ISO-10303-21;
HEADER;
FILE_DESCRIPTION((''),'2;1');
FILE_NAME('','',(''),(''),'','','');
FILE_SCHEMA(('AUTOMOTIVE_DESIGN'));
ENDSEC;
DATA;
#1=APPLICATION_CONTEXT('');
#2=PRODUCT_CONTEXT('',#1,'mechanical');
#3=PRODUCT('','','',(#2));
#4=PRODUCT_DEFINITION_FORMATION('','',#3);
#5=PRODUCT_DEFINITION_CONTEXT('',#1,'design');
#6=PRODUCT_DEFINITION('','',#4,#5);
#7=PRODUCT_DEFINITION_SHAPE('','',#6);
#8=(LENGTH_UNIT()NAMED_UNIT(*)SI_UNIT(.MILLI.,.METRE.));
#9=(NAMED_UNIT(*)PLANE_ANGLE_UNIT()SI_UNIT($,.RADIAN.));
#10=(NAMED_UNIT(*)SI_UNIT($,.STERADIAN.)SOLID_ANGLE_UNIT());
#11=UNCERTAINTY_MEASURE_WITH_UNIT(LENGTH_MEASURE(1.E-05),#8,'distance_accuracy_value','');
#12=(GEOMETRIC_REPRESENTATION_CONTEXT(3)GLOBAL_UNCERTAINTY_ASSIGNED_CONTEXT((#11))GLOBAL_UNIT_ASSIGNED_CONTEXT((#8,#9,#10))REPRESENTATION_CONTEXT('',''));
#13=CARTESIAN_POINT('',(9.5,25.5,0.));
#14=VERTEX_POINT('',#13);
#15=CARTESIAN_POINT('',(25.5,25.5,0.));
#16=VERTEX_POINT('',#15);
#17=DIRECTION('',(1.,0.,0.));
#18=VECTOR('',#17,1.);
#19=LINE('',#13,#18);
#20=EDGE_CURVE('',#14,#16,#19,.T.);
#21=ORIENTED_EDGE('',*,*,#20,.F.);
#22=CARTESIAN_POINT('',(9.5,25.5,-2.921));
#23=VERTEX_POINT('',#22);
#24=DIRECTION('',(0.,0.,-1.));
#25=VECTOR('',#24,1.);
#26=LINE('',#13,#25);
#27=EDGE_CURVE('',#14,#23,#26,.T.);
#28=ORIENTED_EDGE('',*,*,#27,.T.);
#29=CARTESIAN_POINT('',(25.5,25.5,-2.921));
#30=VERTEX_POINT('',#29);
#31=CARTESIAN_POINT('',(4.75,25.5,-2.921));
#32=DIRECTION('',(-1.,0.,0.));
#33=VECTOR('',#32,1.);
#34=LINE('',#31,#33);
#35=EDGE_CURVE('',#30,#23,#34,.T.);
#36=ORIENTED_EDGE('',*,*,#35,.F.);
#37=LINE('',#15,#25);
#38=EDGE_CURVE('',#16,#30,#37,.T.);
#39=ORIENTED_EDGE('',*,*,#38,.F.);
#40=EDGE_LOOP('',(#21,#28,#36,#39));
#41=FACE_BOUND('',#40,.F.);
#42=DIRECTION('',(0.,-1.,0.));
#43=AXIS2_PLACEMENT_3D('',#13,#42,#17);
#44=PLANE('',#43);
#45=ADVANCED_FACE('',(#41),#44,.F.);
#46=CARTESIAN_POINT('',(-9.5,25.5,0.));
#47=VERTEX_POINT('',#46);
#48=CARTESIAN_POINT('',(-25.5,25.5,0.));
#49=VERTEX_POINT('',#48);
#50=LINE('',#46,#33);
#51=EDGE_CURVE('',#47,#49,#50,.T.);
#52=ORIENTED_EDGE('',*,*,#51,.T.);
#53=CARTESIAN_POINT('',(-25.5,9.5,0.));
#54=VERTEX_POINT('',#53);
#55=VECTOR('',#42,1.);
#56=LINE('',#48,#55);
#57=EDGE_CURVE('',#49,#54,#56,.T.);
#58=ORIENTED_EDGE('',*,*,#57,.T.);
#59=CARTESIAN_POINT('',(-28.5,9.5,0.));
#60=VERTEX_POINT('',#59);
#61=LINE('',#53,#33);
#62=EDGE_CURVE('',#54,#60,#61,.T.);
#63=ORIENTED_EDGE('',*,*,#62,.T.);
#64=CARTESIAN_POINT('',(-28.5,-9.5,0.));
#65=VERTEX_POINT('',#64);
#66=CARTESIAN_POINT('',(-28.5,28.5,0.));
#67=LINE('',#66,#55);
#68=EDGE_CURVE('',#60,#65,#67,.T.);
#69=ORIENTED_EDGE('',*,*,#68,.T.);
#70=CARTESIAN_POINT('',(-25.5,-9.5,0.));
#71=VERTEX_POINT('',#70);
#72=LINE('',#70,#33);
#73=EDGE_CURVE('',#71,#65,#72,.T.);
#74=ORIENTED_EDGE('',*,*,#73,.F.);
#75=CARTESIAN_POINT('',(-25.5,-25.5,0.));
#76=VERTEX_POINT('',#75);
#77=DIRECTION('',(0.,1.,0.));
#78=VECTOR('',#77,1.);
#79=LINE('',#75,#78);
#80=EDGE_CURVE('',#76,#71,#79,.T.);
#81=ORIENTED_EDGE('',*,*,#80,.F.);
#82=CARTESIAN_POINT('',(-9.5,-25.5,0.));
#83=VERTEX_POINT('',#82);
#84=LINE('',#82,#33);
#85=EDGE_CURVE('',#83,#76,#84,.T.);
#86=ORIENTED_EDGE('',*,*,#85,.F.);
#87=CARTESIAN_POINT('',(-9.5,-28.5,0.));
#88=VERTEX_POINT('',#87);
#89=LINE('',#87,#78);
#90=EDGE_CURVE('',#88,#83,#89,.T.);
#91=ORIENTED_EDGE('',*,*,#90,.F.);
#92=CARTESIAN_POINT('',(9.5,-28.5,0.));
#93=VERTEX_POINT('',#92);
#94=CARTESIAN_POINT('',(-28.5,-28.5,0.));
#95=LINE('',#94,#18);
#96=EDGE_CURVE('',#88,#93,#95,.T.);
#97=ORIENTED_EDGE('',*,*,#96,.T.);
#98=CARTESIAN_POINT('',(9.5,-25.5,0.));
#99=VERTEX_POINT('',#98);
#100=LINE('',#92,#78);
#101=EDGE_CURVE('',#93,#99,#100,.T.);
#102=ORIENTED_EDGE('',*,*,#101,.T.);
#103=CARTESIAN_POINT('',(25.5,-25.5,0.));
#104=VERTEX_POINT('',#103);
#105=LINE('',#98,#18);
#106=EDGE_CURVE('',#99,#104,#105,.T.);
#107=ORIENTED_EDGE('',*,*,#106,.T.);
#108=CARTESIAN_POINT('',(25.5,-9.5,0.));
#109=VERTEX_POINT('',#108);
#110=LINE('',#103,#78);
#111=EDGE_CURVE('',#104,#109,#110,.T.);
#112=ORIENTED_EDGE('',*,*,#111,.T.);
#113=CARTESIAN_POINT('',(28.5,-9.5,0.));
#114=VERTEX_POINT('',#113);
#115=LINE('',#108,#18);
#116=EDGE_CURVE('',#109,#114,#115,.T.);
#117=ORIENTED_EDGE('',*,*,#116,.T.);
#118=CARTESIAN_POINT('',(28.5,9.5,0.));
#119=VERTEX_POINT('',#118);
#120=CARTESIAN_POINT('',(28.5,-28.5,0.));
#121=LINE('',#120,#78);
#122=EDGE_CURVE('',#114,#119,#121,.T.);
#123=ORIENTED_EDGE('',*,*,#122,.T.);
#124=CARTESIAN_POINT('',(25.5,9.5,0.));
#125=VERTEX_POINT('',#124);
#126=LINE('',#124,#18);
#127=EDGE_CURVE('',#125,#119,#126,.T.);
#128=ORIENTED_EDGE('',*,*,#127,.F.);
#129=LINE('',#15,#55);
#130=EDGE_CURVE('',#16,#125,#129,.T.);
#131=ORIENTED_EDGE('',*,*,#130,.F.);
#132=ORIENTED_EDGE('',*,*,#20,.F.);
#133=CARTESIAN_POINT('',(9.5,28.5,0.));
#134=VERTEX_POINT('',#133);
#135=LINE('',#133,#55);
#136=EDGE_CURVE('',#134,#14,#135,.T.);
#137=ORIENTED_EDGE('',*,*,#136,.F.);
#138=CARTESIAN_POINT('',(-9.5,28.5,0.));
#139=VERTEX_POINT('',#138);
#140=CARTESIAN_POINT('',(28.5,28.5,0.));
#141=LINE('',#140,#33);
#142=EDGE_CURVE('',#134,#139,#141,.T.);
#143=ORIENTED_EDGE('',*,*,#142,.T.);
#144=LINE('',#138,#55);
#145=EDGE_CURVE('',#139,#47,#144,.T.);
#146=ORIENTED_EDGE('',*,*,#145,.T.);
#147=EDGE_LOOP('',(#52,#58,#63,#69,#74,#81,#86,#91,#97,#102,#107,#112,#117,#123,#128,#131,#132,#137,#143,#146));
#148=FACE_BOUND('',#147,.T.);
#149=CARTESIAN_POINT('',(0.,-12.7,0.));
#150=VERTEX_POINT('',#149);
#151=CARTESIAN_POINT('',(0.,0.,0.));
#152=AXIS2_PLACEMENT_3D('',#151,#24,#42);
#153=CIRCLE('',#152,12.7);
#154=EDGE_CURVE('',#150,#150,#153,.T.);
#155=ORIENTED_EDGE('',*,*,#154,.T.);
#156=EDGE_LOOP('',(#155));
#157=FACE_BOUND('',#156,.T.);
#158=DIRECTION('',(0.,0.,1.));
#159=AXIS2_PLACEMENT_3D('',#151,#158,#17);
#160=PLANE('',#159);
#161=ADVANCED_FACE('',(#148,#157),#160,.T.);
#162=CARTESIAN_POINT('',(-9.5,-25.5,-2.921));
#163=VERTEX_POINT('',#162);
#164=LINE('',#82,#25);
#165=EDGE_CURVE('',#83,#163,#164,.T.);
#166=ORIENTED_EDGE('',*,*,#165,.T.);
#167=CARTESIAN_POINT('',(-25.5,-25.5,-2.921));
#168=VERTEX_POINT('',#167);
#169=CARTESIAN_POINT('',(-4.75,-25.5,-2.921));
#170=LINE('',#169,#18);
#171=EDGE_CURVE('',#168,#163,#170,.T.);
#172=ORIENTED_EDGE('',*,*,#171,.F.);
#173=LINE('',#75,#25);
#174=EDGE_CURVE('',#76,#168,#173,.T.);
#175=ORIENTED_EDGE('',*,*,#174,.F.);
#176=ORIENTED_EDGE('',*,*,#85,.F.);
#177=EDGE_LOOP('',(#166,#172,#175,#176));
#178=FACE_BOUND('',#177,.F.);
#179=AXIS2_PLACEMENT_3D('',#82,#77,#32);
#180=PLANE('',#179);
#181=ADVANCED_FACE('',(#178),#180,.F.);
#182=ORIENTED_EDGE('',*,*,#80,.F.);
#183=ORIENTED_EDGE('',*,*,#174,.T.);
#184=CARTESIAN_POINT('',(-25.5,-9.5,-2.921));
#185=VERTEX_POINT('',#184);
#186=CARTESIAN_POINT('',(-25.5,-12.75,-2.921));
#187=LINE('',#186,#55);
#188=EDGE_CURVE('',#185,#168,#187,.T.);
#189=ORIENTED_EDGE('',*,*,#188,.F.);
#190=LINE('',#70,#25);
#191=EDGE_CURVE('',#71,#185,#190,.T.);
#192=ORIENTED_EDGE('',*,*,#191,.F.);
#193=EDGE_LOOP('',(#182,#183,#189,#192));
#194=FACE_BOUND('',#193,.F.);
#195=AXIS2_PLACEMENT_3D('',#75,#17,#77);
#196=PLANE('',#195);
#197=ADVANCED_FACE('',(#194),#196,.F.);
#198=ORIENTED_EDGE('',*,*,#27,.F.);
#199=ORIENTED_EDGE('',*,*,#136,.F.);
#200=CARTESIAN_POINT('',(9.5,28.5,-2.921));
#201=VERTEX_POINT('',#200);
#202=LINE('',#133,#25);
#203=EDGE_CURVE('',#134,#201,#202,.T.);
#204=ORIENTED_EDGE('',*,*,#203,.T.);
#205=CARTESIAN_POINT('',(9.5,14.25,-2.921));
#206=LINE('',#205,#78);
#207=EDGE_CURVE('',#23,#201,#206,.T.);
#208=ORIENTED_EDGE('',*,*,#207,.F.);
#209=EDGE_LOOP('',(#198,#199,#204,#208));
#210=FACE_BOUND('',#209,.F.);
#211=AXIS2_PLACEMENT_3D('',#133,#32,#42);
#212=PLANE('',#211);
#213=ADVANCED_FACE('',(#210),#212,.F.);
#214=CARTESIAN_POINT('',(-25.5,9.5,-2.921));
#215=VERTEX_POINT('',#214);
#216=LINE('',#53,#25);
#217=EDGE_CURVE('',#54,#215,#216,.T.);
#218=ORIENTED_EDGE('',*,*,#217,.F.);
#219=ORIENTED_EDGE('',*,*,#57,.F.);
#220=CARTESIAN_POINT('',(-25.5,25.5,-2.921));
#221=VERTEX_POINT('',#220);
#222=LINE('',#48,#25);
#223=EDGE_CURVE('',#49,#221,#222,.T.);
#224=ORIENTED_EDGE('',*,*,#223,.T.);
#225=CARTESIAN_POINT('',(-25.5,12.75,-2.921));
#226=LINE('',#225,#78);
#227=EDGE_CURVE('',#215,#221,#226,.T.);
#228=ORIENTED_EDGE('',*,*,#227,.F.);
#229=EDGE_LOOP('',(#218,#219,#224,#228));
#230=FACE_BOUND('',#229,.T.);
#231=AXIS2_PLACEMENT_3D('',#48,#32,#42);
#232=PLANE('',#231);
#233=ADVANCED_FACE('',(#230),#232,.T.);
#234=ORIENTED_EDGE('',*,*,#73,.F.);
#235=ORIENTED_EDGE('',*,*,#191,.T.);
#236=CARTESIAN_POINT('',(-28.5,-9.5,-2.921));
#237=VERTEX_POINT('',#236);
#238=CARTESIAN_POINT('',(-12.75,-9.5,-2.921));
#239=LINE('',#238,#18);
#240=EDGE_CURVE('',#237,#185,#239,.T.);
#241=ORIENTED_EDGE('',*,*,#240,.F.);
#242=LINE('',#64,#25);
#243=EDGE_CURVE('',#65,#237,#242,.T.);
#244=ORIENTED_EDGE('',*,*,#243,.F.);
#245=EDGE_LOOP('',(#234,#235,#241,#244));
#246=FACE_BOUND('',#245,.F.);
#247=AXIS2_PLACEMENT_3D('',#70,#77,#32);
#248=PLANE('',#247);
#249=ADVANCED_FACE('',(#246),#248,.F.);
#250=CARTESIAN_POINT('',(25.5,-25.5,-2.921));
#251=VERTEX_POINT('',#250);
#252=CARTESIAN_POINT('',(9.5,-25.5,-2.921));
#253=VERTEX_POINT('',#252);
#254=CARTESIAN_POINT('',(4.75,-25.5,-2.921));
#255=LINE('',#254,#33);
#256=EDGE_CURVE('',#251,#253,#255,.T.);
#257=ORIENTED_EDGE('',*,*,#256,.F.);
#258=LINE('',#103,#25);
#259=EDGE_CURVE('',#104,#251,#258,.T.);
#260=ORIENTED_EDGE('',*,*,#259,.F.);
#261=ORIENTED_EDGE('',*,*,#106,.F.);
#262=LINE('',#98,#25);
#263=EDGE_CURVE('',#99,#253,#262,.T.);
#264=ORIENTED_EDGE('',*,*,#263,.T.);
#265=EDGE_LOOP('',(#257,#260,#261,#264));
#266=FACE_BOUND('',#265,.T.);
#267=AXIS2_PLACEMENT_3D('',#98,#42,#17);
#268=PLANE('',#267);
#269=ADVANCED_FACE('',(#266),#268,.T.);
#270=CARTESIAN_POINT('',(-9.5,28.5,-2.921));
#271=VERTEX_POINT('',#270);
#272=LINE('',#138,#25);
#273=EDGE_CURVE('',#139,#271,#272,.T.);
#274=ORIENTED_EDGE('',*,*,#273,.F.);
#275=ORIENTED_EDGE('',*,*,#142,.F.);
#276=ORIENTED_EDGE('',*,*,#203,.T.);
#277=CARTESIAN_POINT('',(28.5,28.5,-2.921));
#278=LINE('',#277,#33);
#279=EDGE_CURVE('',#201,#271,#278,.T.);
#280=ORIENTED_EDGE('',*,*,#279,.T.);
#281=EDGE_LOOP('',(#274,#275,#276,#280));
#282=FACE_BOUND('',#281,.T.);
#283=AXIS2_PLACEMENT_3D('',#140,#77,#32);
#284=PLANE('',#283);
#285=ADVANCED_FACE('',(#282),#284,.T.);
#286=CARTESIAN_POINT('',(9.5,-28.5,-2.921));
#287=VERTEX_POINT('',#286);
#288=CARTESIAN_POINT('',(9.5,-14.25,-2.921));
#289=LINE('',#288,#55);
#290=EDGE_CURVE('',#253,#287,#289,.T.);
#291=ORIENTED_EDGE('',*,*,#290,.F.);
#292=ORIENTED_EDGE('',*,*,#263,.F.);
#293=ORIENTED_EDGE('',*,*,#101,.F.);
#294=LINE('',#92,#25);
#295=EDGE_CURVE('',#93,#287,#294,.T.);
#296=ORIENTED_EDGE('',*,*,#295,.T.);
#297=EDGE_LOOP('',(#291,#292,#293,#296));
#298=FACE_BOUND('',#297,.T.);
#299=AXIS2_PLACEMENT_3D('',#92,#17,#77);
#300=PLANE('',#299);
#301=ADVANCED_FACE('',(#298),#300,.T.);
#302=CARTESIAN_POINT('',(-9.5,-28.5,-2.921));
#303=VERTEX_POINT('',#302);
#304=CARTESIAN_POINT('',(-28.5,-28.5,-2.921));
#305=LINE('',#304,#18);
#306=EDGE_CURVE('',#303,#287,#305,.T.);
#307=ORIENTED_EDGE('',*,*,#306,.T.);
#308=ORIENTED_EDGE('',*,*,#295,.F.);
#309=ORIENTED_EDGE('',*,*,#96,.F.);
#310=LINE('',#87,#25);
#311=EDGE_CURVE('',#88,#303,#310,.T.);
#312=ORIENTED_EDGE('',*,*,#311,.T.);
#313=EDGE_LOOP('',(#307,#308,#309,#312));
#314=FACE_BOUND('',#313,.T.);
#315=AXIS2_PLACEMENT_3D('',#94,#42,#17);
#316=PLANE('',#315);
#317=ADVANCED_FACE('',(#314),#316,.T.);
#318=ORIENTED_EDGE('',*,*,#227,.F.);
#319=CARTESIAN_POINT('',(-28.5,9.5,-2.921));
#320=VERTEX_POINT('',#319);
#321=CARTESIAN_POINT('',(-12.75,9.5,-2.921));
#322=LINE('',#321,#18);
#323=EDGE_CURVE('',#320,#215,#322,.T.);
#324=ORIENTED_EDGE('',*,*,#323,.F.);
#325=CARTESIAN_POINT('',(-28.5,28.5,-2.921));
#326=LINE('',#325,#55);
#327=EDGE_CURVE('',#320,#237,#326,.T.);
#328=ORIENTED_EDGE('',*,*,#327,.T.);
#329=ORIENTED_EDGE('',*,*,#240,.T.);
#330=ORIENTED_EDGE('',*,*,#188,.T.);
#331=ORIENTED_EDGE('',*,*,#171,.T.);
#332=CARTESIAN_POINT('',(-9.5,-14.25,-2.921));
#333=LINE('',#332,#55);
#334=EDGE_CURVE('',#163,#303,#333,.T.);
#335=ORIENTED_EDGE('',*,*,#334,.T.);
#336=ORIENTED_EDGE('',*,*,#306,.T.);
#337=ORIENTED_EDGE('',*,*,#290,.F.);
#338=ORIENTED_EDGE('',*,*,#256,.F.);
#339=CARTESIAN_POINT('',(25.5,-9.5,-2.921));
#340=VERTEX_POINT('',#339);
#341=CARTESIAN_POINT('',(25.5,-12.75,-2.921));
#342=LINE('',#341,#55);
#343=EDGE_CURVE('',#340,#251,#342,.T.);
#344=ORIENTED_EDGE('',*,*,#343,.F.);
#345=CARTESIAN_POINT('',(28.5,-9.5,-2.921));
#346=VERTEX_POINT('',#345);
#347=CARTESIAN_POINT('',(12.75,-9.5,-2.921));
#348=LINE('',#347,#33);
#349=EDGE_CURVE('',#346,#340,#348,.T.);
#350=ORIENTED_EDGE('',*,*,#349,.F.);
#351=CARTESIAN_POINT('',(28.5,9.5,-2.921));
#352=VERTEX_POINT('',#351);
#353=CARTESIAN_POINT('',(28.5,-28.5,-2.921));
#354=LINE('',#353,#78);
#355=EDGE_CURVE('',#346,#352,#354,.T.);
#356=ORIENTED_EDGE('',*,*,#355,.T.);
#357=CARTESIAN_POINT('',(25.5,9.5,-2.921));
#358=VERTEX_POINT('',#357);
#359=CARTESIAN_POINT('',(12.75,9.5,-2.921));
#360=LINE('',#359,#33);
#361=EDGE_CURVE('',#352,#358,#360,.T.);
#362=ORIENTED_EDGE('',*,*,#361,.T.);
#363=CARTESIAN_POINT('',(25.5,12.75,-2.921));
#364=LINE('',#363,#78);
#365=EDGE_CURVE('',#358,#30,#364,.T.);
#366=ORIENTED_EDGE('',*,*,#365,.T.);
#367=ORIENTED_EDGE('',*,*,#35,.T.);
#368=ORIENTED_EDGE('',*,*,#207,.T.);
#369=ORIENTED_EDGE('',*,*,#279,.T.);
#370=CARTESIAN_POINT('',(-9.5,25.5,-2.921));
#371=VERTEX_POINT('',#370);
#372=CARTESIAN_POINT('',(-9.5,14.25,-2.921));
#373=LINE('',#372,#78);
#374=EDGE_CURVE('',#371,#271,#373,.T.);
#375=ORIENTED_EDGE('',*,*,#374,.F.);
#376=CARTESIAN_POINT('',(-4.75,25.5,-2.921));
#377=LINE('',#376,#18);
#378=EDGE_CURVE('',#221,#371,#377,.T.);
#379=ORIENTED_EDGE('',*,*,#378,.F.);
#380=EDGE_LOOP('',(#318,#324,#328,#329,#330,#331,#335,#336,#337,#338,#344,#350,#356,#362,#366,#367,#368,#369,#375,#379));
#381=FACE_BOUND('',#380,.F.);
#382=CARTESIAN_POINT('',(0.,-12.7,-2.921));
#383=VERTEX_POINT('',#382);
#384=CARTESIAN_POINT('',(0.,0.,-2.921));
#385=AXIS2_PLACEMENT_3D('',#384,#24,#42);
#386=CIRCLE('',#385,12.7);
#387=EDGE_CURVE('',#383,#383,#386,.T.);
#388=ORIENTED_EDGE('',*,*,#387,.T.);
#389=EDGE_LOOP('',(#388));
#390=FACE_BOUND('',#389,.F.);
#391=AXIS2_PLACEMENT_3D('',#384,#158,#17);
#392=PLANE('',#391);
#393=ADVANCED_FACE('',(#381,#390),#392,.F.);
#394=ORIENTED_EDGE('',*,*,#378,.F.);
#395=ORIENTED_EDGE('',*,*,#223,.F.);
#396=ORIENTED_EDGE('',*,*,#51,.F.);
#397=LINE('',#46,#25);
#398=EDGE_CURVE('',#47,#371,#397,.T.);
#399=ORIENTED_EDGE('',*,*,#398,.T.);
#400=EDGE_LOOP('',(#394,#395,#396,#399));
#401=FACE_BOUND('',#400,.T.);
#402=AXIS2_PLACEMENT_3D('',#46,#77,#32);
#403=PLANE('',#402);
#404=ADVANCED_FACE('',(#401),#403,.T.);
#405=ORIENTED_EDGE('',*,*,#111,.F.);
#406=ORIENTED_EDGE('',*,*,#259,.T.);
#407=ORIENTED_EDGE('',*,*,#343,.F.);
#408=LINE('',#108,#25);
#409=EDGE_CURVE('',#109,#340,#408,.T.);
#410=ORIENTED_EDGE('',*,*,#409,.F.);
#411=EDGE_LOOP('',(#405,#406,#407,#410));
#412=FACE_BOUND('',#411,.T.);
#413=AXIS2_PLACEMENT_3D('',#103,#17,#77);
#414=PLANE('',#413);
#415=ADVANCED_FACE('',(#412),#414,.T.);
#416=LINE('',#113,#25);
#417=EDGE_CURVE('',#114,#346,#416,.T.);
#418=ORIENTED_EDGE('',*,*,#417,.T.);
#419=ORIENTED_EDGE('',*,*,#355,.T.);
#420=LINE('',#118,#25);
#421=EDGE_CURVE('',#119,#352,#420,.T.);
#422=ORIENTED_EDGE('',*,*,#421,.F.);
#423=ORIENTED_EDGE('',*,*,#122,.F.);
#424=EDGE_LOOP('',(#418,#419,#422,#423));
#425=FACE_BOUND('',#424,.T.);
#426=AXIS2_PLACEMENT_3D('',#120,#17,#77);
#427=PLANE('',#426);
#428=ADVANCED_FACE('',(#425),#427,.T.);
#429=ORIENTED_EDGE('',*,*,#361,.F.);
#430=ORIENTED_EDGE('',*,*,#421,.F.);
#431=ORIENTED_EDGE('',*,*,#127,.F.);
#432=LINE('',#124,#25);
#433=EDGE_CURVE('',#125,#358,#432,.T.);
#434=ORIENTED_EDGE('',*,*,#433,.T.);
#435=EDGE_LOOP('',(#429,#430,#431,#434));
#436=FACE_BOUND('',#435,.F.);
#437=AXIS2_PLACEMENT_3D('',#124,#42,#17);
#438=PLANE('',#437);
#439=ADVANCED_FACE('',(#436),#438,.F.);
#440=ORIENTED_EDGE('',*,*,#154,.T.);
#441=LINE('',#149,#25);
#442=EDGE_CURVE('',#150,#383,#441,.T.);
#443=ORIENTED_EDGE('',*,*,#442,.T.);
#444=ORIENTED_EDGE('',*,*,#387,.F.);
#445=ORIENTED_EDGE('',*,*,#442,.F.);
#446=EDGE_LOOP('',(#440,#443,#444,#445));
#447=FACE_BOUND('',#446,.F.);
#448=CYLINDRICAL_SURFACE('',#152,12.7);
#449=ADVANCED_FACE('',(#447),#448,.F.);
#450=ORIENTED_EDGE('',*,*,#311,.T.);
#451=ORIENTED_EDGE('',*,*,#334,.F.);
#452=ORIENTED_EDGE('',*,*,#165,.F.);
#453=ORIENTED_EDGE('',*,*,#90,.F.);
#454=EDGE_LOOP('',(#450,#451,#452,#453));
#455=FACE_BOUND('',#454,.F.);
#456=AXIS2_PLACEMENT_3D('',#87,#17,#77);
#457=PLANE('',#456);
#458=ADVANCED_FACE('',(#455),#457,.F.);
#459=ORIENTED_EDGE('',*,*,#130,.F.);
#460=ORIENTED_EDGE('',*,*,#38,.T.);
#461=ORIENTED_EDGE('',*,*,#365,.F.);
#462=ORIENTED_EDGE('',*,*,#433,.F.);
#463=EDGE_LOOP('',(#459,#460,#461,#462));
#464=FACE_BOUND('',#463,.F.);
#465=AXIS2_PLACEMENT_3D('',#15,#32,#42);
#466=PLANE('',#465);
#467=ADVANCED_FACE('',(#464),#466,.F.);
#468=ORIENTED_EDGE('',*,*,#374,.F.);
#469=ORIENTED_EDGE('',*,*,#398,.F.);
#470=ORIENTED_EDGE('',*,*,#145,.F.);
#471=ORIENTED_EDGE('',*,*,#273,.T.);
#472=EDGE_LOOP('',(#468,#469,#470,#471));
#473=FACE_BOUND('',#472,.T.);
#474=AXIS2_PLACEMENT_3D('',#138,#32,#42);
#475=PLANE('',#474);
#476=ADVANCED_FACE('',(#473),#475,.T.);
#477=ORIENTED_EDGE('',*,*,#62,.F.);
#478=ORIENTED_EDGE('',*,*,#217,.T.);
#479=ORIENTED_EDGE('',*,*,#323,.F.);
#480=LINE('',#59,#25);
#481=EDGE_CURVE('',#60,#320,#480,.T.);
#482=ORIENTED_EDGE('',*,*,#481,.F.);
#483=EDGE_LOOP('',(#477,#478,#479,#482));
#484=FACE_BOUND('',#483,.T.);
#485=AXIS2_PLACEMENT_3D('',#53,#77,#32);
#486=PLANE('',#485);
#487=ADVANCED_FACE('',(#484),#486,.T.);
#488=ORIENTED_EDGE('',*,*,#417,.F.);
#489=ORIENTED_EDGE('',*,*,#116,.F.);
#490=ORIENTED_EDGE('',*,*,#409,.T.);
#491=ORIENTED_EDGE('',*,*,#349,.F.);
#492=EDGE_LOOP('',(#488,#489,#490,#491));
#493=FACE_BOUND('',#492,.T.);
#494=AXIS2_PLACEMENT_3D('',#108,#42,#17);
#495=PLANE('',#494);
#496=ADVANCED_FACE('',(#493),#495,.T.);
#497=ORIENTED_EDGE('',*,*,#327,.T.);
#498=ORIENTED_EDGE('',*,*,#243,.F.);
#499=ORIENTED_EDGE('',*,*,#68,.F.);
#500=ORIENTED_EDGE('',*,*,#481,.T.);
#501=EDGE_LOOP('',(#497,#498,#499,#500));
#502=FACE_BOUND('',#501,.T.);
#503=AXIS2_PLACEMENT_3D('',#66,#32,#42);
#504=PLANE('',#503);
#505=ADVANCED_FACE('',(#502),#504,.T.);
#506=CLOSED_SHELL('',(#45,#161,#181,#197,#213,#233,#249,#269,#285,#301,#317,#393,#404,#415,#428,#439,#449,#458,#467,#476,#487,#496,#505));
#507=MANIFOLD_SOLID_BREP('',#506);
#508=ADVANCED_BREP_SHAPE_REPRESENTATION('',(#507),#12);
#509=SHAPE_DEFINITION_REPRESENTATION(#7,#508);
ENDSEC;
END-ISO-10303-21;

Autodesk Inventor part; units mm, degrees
ref_plane "YZ Plane" through (0, 0, 0) normal (1, 0, 0) x (0, 1, 0)
ref_plane "XZ Plane" through (0, 0, 0) normal (0, 1, 0) x (-1, 0, 0)
ref_plane "XY Plane" through (0, 0, 0) normal (0, 0, 1) x (1, 0, 0)
sketch "Sketch1" plane through (0, 0, 0) normal (0, 0, 1) x (1, 0, 0)
  line L0 (-28.5, -28.5) -> (28.5, -28.5)
  line L1 (28.5, -28.5) -> (28.5, 28.5)
  line L2 (28.5, 28.5) -> (-28.5, 28.5)
  line L3 (-28.5, 28.5) -> (-28.5, -28.5)
  line L4 (-28.5, -28.5) -> (28.5, 28.5) construction
  line L5 (28.5, -28.5) -> (-28.5, 28.5) construction
  point P0 (0, 0)
  dimension "d0" = 57
  dimension "d1" = 57
extrude "Extrusion1" add sketch "Sketch1" against normal blind 2.921
sketch "Sketch2" plane through (0, 0, 0) normal (0, 0, 1) x (1, 0, 0)
  line L0 (-28.5, 28.5) -> (-9.5, 28.5)
  line L1 (-9.5, 28.5) -> (-9.5, 25.5)
  line L2 (-9.5, 25.5) -> (-25.5, 25.5)
  line L3 (-28.5, 22.4359) -> (-28.5, 28.5)
  line L4 (-28.5, 28.5) -> (-22.225, 28.5)
  line L5 (-25.5, 25.5) -> (-25.5, 9.5)
  line L6 (-25.5, 9.5) -> (-28.5, 9.5)
  line L7 (-28.5, 9.5) -> (-28.5, 28.5)
  line L8 (28.5, 28.5) -> (-28.5, 28.5) projected
  line L9 (-28.5, 28.5) -> (-28.5, -28.5) projected
  line L10 (0, 4.0972) -> (0, 8.5289)
  line L11 (-5.3828, 0) -> (-2.3228, 0)
  line L12 (28.5, 28.5) -> (9.5, 28.5)
  line L13 (9.5, 28.5) -> (9.5, 25.5)
  line L14 (9.5, 25.5) -> (25.5, 25.5)
  line L15 (28.5, 22.4359) -> (28.5, 28.5)
  line L16 (28.5, 28.5) -> (22.225, 28.5)
  line L17 (25.5, 25.5) -> (25.5, 9.5)
  line L18 (25.5, 9.5) -> (28.5, 9.5)
  line L19 (28.5, 9.5) -> (28.5, 28.5)
  line L20 (-28.5, -28.5) -> (-9.5, -28.5)
  line L21 (-9.5, -28.5) -> (-9.5, -25.5)
  line L22 (-9.5, -25.5) -> (-25.5, -25.5)
  line L23 (-28.5, -22.4359) -> (-28.5, -28.5)
  line L24 (-28.5, -28.5) -> (-22.225, -28.5)
  line L25 (-25.5, -25.5) -> (-25.5, -9.5)
  line L26 (-25.5, -9.5) -> (-28.5, -9.5)
  line L27 (-28.5, -9.5) -> (-28.5, -28.5)
  line L28 (28.5, -28.5) -> (-28.5, -28.5)
  line L29 (28.5, -28.5) -> (9.5, -28.5)
  line L30 (9.5, -28.5) -> (9.5, -25.5)
  line L31 (9.5, -25.5) -> (25.5, -25.5)
  line L32 (28.5, -22.4359) -> (28.5, -28.5)
  line L33 (28.5, -28.5) -> (22.225, -28.5)
  line L34 (25.5, -25.5) -> (25.5, -9.5)
  line L35 (25.5, -9.5) -> (28.5, -9.5)
  line L36 (28.5, -9.5) -> (28.5, -28.5)
  line L37 (-28.5, -28.5) -> (28.5, -28.5) projected
  line L38 (28.5, -28.5) -> (28.5, 28.5) projected
  point P0 (0, -8.5289)
  dimension "d59" = 3
  dimension "d62" = 3
  dimension "d65" = 19
  dimension "d66" = 19
  dimension "d67" = 19
  dimension "d68" = 19
  dimension "d69" = 19
  dimension "d70" = 19
  dimension "d71" = 19
  dimension "d72" = 19
  dimension "d73" = 19
  dimension "d74" = 19
  dimension "d75" = 19
  dimension "d76" = 19
extrude "Extrusion3" cut sketch "Sketch2" against normal up to next contours L0 L1 L2 L5 L6 L7 L3 | L8 L15 L19 L18 L17 L14 L13 | L26 L25 L22 L21 L20 L9 | L36 L32 L28 L30 L31 L34 L35
hole "Hole1" at (0, 0, 0) direction (0, 0, -1) diameter 25.4 end through all
equation "\"d1\" = d0"
equation "\"d62\" = d59"
equation "\"d68\" = d65"
equation "\"d70\" = d66"
equation "\"d23\" = 0.5 * d0"
equation "\"d53\" = 0.5 * d0"
properties part number "Top"
